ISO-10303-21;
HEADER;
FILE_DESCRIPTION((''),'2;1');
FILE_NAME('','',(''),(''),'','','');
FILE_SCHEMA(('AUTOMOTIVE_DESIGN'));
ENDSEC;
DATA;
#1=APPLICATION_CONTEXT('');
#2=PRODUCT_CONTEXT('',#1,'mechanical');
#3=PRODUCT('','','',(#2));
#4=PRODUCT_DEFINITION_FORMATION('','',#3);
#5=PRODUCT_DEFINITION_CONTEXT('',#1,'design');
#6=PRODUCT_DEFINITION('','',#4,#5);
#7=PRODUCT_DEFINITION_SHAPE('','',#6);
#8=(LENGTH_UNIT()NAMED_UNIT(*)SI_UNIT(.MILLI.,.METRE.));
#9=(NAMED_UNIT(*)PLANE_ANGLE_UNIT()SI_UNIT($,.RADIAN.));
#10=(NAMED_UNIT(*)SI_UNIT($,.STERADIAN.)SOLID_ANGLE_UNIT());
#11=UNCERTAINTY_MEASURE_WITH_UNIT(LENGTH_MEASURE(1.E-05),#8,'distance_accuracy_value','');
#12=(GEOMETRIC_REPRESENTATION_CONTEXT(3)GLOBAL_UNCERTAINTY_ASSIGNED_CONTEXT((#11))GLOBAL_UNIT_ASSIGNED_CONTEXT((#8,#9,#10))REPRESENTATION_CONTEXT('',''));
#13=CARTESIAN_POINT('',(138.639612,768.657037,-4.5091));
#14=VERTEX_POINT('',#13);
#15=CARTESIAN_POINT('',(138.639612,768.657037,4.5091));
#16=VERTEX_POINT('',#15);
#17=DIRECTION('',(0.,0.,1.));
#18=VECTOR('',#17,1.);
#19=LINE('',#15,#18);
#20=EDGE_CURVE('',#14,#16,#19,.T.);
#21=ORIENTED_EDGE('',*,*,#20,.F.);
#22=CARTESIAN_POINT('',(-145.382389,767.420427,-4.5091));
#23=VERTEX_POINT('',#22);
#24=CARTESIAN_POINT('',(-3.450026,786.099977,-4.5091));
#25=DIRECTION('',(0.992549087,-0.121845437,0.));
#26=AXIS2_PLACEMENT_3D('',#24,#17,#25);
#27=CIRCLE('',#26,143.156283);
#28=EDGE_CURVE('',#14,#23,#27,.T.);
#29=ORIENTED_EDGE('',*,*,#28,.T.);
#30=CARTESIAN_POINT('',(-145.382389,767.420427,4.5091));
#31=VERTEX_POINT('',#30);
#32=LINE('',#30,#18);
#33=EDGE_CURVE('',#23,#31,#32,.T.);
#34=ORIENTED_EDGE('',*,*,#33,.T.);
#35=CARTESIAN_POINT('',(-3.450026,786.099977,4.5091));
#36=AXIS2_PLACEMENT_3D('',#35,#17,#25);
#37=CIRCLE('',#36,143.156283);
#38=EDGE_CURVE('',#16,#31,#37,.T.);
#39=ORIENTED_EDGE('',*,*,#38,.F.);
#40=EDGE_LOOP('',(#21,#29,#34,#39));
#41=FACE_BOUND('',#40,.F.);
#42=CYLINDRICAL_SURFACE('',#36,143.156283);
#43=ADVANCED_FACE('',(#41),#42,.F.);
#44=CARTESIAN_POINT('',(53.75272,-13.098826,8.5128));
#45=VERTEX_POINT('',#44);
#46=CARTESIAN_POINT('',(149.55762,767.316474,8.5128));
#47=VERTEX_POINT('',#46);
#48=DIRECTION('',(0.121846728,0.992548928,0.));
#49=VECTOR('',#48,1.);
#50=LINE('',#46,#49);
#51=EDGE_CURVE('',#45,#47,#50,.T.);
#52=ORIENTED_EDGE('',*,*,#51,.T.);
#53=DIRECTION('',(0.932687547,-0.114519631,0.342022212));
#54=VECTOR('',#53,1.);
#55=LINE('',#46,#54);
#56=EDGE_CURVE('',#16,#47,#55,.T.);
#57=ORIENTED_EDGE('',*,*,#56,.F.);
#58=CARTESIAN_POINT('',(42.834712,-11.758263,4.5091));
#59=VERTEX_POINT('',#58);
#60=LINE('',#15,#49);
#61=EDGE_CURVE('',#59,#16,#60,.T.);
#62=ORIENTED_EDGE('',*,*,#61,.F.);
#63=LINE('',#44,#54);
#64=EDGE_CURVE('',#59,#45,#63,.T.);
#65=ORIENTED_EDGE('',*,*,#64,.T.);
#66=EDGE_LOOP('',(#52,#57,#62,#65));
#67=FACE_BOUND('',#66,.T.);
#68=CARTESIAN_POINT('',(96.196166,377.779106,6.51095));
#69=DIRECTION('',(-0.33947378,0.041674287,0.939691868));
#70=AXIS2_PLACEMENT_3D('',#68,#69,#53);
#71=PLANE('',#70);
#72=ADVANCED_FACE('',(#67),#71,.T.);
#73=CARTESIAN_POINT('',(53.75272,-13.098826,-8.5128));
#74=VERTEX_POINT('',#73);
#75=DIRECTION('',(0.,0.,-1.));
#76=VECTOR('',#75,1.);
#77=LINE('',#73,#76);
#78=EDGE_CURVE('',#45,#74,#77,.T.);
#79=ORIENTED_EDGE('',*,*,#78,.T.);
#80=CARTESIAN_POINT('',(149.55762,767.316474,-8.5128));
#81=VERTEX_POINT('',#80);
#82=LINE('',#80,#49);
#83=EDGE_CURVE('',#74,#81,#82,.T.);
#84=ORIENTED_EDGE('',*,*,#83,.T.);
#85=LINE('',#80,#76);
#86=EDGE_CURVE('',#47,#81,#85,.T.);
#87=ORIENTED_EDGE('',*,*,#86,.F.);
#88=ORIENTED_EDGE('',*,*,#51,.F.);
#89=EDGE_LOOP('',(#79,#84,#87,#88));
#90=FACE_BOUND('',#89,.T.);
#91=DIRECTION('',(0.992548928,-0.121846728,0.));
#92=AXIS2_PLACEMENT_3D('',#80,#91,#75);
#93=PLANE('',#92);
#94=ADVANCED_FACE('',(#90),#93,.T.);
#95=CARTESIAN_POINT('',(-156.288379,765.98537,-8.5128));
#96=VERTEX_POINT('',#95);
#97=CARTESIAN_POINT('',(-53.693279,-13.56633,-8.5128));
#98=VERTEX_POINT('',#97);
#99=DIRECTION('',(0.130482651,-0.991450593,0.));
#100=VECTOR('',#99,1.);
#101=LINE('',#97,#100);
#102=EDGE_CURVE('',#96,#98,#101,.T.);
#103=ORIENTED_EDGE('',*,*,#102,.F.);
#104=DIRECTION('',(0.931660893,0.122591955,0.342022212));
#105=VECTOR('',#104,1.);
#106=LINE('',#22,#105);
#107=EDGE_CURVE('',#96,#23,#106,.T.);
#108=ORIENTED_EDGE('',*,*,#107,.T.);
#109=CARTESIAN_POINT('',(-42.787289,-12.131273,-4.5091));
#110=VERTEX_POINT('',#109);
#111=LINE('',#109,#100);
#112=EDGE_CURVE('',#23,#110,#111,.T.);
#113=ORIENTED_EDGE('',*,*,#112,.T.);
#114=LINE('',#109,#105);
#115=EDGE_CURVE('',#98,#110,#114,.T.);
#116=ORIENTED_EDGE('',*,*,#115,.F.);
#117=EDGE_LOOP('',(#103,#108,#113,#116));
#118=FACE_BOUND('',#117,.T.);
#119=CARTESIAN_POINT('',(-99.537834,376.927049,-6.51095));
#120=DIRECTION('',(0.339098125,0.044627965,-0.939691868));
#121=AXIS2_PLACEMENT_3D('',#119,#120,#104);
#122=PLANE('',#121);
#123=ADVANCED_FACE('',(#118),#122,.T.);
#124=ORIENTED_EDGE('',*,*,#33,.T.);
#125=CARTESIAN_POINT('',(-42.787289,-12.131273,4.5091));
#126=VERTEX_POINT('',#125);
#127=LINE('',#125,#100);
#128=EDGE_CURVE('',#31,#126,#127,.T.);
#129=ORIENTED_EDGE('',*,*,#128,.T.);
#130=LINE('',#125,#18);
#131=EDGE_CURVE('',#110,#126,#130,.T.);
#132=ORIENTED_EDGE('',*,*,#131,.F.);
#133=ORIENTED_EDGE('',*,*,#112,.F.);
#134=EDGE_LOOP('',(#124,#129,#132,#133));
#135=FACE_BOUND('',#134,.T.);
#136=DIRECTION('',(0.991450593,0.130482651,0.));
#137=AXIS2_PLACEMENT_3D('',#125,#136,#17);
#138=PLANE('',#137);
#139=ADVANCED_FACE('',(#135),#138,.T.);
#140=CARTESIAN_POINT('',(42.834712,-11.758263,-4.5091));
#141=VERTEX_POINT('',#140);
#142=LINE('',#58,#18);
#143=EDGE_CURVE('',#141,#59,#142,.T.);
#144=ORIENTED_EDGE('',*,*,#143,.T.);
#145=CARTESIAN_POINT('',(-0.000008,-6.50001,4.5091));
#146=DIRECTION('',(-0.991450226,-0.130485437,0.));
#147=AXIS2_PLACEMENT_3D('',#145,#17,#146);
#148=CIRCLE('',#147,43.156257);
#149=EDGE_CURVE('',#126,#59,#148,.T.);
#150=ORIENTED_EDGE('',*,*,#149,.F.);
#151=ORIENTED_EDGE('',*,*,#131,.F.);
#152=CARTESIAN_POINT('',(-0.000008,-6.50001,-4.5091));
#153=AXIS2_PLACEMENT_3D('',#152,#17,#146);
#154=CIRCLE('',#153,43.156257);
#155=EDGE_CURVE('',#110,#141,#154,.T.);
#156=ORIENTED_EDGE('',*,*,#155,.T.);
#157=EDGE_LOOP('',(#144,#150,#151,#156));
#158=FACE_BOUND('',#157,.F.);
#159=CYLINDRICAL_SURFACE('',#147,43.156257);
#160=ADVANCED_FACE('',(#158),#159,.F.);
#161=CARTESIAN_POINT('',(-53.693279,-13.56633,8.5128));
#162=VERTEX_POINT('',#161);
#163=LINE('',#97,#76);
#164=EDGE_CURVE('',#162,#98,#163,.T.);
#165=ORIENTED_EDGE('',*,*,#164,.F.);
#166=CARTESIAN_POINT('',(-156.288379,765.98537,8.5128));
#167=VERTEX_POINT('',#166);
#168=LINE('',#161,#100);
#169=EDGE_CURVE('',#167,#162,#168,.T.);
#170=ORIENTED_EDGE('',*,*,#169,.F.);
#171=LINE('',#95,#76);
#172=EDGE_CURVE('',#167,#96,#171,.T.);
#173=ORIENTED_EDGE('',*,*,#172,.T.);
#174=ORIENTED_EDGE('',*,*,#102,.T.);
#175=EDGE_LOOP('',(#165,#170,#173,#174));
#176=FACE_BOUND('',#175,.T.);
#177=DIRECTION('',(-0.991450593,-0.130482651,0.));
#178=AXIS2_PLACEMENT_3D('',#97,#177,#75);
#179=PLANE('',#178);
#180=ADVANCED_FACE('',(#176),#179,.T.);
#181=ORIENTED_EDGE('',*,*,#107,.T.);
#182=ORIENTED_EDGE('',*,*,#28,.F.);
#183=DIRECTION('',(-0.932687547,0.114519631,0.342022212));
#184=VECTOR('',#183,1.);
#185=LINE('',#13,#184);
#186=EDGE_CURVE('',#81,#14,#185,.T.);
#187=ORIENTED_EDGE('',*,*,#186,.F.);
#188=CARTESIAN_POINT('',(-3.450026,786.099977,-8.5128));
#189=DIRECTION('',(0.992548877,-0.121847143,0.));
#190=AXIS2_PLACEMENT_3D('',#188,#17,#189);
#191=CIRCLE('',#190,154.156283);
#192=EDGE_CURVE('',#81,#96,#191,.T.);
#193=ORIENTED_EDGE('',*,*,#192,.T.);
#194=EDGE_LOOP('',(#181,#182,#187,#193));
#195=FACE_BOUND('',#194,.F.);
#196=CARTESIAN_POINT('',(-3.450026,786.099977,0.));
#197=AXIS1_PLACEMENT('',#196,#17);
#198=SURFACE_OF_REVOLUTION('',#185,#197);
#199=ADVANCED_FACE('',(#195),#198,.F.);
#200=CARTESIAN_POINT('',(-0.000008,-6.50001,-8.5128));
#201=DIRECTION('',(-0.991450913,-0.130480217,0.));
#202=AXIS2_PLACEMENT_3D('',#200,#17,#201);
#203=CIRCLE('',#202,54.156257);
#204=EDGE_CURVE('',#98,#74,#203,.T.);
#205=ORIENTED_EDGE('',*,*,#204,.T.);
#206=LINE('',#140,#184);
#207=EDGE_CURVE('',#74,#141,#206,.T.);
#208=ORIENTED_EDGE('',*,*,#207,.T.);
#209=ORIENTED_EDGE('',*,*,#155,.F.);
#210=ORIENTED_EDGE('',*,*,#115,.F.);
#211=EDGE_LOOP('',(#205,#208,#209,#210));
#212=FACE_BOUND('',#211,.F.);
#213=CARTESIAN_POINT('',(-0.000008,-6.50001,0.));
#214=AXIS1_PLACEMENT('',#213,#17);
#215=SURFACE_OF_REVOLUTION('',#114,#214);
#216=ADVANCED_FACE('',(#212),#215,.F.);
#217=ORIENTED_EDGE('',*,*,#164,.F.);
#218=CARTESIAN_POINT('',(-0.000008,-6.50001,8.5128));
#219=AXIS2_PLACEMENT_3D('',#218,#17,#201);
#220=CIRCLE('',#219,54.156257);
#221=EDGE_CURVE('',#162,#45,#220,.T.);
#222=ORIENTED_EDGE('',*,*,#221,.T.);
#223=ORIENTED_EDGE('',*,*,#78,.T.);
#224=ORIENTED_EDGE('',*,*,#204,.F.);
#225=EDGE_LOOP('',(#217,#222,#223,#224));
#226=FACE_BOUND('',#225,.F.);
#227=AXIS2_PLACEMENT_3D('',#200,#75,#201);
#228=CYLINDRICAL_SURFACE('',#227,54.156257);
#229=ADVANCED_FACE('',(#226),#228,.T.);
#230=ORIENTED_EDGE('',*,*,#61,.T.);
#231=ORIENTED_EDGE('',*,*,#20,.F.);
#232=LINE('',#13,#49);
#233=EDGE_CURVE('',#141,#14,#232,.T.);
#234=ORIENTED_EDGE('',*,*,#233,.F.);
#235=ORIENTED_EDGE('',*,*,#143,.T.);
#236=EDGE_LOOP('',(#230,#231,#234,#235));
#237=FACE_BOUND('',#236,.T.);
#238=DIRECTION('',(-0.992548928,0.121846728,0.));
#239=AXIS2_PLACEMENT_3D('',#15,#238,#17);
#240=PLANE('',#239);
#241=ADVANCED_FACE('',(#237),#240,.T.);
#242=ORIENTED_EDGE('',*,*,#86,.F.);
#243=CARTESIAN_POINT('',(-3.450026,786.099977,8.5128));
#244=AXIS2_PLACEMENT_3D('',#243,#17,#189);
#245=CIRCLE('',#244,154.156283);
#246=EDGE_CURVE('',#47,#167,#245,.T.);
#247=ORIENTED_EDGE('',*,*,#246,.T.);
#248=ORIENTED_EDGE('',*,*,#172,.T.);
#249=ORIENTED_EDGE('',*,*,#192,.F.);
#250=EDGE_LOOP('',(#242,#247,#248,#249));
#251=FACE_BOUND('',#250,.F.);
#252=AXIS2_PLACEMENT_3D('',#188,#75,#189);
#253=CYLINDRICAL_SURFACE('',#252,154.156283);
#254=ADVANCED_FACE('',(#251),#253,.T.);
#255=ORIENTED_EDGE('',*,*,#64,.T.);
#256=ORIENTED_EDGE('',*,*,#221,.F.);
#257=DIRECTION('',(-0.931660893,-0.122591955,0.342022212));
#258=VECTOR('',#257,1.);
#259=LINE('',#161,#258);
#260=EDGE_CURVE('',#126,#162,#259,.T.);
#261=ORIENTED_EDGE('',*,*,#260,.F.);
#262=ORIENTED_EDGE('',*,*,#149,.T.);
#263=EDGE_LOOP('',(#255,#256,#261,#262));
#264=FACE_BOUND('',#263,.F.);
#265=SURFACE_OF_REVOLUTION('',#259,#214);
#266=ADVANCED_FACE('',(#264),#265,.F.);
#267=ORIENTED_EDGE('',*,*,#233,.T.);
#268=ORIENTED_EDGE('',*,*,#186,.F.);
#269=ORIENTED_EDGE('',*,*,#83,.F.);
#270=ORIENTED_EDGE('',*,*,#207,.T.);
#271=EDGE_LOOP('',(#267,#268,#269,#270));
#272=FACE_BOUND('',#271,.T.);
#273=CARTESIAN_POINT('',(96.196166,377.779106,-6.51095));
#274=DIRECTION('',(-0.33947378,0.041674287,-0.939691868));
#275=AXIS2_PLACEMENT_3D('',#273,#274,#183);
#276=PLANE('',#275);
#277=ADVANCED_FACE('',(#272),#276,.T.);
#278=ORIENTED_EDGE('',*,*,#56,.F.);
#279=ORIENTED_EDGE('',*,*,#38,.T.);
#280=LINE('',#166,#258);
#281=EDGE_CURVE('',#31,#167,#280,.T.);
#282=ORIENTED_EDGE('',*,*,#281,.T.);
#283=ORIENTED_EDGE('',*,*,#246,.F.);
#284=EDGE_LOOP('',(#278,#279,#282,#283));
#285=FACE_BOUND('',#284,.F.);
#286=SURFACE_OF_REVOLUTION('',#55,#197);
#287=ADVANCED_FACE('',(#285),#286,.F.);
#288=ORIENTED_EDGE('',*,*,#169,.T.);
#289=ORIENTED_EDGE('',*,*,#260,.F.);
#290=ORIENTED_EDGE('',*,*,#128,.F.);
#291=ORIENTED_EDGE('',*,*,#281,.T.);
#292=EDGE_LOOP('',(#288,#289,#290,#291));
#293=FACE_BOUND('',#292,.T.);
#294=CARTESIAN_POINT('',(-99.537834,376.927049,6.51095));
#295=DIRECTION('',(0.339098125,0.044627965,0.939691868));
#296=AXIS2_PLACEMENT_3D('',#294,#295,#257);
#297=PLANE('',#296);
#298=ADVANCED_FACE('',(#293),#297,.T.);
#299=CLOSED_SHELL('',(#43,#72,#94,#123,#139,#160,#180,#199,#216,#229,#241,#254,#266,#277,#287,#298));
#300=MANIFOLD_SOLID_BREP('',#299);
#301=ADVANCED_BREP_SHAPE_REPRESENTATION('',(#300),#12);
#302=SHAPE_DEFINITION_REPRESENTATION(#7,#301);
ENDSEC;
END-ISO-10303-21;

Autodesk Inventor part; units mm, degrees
ref_plane "YZ Plane" through (0, 0, 0) normal (1, 0, 0) x (0, 1, 0)
ref_plane "XZ Plane" through (0, 0, 0) normal (0, 1, 0) x (-1, 0, 0)
sketch "Sketch Path" plane through (0, 0, 0) normal (0, 0, 1) x (1, 0, 0)
  arc A0 (-49.5725, -13.0241) -> (49.6274, -12.5923) centre (0, -6.5) ccw
  arc A1 (145.4323, 767.823) -> (-152.1676, 766.5276) centre (-3.45, 786.1) ccw
  line L0 (145.4323, 767.823) -> (49.6274, -12.5923)
  line L1 (-49.5725, -13.0241) -> (-152.1676, 766.5276)
ref_plane "Cross Section Plane" through (49.6274, -12.5923, 0) normal (0.1218, 0.9925, 0) x (0, 0, 1)
sketch "Cross Section" plane through (49.6274, -12.5923, 0) normal (0.1218, 0.9925, 0) x (0, 0, 1)
  line L0 (0, 4.1563) -> (0, -6.8437) construction
  line L1 (-7, 0) -> (7, 0) construction
  line L2 (-8.5128, 4.1563) -> (8.5128, 4.1563)
  line L3 (8.5128, 4.1563) -> (4.5091, -6.8437)
  line L4 (4.5091, -6.8437) -> (-4.5091, -6.8437)
  line L5 (-4.5091, -6.8437) -> (-8.5128, 4.1563)
  point P0 (0, 0)
  point P1 (0, 0)
  point P2 (0, 0)
  dimension "d0" = 14
  dimension "d1" = 4.1563
  dimension "d2" = 40
  dimension "d3" = 11
sweep "Belt" add profiles "Cross Section" path "Sketch Path"
equation "\"d0\" = da_Bw"
equation "\"d1\" = da_Hw"
equation "\"d2\" = da_Alfa"
equation "\"d3\" = da_H"
equation "\"da_Alfa\" = 40deg"
equation "\"da_H\" = 11"
equation "\"da_Bw\" = 14"
equation "\"da_Hw\" = 4.15634"
properties part number "V-Belt" material "Rubber"
